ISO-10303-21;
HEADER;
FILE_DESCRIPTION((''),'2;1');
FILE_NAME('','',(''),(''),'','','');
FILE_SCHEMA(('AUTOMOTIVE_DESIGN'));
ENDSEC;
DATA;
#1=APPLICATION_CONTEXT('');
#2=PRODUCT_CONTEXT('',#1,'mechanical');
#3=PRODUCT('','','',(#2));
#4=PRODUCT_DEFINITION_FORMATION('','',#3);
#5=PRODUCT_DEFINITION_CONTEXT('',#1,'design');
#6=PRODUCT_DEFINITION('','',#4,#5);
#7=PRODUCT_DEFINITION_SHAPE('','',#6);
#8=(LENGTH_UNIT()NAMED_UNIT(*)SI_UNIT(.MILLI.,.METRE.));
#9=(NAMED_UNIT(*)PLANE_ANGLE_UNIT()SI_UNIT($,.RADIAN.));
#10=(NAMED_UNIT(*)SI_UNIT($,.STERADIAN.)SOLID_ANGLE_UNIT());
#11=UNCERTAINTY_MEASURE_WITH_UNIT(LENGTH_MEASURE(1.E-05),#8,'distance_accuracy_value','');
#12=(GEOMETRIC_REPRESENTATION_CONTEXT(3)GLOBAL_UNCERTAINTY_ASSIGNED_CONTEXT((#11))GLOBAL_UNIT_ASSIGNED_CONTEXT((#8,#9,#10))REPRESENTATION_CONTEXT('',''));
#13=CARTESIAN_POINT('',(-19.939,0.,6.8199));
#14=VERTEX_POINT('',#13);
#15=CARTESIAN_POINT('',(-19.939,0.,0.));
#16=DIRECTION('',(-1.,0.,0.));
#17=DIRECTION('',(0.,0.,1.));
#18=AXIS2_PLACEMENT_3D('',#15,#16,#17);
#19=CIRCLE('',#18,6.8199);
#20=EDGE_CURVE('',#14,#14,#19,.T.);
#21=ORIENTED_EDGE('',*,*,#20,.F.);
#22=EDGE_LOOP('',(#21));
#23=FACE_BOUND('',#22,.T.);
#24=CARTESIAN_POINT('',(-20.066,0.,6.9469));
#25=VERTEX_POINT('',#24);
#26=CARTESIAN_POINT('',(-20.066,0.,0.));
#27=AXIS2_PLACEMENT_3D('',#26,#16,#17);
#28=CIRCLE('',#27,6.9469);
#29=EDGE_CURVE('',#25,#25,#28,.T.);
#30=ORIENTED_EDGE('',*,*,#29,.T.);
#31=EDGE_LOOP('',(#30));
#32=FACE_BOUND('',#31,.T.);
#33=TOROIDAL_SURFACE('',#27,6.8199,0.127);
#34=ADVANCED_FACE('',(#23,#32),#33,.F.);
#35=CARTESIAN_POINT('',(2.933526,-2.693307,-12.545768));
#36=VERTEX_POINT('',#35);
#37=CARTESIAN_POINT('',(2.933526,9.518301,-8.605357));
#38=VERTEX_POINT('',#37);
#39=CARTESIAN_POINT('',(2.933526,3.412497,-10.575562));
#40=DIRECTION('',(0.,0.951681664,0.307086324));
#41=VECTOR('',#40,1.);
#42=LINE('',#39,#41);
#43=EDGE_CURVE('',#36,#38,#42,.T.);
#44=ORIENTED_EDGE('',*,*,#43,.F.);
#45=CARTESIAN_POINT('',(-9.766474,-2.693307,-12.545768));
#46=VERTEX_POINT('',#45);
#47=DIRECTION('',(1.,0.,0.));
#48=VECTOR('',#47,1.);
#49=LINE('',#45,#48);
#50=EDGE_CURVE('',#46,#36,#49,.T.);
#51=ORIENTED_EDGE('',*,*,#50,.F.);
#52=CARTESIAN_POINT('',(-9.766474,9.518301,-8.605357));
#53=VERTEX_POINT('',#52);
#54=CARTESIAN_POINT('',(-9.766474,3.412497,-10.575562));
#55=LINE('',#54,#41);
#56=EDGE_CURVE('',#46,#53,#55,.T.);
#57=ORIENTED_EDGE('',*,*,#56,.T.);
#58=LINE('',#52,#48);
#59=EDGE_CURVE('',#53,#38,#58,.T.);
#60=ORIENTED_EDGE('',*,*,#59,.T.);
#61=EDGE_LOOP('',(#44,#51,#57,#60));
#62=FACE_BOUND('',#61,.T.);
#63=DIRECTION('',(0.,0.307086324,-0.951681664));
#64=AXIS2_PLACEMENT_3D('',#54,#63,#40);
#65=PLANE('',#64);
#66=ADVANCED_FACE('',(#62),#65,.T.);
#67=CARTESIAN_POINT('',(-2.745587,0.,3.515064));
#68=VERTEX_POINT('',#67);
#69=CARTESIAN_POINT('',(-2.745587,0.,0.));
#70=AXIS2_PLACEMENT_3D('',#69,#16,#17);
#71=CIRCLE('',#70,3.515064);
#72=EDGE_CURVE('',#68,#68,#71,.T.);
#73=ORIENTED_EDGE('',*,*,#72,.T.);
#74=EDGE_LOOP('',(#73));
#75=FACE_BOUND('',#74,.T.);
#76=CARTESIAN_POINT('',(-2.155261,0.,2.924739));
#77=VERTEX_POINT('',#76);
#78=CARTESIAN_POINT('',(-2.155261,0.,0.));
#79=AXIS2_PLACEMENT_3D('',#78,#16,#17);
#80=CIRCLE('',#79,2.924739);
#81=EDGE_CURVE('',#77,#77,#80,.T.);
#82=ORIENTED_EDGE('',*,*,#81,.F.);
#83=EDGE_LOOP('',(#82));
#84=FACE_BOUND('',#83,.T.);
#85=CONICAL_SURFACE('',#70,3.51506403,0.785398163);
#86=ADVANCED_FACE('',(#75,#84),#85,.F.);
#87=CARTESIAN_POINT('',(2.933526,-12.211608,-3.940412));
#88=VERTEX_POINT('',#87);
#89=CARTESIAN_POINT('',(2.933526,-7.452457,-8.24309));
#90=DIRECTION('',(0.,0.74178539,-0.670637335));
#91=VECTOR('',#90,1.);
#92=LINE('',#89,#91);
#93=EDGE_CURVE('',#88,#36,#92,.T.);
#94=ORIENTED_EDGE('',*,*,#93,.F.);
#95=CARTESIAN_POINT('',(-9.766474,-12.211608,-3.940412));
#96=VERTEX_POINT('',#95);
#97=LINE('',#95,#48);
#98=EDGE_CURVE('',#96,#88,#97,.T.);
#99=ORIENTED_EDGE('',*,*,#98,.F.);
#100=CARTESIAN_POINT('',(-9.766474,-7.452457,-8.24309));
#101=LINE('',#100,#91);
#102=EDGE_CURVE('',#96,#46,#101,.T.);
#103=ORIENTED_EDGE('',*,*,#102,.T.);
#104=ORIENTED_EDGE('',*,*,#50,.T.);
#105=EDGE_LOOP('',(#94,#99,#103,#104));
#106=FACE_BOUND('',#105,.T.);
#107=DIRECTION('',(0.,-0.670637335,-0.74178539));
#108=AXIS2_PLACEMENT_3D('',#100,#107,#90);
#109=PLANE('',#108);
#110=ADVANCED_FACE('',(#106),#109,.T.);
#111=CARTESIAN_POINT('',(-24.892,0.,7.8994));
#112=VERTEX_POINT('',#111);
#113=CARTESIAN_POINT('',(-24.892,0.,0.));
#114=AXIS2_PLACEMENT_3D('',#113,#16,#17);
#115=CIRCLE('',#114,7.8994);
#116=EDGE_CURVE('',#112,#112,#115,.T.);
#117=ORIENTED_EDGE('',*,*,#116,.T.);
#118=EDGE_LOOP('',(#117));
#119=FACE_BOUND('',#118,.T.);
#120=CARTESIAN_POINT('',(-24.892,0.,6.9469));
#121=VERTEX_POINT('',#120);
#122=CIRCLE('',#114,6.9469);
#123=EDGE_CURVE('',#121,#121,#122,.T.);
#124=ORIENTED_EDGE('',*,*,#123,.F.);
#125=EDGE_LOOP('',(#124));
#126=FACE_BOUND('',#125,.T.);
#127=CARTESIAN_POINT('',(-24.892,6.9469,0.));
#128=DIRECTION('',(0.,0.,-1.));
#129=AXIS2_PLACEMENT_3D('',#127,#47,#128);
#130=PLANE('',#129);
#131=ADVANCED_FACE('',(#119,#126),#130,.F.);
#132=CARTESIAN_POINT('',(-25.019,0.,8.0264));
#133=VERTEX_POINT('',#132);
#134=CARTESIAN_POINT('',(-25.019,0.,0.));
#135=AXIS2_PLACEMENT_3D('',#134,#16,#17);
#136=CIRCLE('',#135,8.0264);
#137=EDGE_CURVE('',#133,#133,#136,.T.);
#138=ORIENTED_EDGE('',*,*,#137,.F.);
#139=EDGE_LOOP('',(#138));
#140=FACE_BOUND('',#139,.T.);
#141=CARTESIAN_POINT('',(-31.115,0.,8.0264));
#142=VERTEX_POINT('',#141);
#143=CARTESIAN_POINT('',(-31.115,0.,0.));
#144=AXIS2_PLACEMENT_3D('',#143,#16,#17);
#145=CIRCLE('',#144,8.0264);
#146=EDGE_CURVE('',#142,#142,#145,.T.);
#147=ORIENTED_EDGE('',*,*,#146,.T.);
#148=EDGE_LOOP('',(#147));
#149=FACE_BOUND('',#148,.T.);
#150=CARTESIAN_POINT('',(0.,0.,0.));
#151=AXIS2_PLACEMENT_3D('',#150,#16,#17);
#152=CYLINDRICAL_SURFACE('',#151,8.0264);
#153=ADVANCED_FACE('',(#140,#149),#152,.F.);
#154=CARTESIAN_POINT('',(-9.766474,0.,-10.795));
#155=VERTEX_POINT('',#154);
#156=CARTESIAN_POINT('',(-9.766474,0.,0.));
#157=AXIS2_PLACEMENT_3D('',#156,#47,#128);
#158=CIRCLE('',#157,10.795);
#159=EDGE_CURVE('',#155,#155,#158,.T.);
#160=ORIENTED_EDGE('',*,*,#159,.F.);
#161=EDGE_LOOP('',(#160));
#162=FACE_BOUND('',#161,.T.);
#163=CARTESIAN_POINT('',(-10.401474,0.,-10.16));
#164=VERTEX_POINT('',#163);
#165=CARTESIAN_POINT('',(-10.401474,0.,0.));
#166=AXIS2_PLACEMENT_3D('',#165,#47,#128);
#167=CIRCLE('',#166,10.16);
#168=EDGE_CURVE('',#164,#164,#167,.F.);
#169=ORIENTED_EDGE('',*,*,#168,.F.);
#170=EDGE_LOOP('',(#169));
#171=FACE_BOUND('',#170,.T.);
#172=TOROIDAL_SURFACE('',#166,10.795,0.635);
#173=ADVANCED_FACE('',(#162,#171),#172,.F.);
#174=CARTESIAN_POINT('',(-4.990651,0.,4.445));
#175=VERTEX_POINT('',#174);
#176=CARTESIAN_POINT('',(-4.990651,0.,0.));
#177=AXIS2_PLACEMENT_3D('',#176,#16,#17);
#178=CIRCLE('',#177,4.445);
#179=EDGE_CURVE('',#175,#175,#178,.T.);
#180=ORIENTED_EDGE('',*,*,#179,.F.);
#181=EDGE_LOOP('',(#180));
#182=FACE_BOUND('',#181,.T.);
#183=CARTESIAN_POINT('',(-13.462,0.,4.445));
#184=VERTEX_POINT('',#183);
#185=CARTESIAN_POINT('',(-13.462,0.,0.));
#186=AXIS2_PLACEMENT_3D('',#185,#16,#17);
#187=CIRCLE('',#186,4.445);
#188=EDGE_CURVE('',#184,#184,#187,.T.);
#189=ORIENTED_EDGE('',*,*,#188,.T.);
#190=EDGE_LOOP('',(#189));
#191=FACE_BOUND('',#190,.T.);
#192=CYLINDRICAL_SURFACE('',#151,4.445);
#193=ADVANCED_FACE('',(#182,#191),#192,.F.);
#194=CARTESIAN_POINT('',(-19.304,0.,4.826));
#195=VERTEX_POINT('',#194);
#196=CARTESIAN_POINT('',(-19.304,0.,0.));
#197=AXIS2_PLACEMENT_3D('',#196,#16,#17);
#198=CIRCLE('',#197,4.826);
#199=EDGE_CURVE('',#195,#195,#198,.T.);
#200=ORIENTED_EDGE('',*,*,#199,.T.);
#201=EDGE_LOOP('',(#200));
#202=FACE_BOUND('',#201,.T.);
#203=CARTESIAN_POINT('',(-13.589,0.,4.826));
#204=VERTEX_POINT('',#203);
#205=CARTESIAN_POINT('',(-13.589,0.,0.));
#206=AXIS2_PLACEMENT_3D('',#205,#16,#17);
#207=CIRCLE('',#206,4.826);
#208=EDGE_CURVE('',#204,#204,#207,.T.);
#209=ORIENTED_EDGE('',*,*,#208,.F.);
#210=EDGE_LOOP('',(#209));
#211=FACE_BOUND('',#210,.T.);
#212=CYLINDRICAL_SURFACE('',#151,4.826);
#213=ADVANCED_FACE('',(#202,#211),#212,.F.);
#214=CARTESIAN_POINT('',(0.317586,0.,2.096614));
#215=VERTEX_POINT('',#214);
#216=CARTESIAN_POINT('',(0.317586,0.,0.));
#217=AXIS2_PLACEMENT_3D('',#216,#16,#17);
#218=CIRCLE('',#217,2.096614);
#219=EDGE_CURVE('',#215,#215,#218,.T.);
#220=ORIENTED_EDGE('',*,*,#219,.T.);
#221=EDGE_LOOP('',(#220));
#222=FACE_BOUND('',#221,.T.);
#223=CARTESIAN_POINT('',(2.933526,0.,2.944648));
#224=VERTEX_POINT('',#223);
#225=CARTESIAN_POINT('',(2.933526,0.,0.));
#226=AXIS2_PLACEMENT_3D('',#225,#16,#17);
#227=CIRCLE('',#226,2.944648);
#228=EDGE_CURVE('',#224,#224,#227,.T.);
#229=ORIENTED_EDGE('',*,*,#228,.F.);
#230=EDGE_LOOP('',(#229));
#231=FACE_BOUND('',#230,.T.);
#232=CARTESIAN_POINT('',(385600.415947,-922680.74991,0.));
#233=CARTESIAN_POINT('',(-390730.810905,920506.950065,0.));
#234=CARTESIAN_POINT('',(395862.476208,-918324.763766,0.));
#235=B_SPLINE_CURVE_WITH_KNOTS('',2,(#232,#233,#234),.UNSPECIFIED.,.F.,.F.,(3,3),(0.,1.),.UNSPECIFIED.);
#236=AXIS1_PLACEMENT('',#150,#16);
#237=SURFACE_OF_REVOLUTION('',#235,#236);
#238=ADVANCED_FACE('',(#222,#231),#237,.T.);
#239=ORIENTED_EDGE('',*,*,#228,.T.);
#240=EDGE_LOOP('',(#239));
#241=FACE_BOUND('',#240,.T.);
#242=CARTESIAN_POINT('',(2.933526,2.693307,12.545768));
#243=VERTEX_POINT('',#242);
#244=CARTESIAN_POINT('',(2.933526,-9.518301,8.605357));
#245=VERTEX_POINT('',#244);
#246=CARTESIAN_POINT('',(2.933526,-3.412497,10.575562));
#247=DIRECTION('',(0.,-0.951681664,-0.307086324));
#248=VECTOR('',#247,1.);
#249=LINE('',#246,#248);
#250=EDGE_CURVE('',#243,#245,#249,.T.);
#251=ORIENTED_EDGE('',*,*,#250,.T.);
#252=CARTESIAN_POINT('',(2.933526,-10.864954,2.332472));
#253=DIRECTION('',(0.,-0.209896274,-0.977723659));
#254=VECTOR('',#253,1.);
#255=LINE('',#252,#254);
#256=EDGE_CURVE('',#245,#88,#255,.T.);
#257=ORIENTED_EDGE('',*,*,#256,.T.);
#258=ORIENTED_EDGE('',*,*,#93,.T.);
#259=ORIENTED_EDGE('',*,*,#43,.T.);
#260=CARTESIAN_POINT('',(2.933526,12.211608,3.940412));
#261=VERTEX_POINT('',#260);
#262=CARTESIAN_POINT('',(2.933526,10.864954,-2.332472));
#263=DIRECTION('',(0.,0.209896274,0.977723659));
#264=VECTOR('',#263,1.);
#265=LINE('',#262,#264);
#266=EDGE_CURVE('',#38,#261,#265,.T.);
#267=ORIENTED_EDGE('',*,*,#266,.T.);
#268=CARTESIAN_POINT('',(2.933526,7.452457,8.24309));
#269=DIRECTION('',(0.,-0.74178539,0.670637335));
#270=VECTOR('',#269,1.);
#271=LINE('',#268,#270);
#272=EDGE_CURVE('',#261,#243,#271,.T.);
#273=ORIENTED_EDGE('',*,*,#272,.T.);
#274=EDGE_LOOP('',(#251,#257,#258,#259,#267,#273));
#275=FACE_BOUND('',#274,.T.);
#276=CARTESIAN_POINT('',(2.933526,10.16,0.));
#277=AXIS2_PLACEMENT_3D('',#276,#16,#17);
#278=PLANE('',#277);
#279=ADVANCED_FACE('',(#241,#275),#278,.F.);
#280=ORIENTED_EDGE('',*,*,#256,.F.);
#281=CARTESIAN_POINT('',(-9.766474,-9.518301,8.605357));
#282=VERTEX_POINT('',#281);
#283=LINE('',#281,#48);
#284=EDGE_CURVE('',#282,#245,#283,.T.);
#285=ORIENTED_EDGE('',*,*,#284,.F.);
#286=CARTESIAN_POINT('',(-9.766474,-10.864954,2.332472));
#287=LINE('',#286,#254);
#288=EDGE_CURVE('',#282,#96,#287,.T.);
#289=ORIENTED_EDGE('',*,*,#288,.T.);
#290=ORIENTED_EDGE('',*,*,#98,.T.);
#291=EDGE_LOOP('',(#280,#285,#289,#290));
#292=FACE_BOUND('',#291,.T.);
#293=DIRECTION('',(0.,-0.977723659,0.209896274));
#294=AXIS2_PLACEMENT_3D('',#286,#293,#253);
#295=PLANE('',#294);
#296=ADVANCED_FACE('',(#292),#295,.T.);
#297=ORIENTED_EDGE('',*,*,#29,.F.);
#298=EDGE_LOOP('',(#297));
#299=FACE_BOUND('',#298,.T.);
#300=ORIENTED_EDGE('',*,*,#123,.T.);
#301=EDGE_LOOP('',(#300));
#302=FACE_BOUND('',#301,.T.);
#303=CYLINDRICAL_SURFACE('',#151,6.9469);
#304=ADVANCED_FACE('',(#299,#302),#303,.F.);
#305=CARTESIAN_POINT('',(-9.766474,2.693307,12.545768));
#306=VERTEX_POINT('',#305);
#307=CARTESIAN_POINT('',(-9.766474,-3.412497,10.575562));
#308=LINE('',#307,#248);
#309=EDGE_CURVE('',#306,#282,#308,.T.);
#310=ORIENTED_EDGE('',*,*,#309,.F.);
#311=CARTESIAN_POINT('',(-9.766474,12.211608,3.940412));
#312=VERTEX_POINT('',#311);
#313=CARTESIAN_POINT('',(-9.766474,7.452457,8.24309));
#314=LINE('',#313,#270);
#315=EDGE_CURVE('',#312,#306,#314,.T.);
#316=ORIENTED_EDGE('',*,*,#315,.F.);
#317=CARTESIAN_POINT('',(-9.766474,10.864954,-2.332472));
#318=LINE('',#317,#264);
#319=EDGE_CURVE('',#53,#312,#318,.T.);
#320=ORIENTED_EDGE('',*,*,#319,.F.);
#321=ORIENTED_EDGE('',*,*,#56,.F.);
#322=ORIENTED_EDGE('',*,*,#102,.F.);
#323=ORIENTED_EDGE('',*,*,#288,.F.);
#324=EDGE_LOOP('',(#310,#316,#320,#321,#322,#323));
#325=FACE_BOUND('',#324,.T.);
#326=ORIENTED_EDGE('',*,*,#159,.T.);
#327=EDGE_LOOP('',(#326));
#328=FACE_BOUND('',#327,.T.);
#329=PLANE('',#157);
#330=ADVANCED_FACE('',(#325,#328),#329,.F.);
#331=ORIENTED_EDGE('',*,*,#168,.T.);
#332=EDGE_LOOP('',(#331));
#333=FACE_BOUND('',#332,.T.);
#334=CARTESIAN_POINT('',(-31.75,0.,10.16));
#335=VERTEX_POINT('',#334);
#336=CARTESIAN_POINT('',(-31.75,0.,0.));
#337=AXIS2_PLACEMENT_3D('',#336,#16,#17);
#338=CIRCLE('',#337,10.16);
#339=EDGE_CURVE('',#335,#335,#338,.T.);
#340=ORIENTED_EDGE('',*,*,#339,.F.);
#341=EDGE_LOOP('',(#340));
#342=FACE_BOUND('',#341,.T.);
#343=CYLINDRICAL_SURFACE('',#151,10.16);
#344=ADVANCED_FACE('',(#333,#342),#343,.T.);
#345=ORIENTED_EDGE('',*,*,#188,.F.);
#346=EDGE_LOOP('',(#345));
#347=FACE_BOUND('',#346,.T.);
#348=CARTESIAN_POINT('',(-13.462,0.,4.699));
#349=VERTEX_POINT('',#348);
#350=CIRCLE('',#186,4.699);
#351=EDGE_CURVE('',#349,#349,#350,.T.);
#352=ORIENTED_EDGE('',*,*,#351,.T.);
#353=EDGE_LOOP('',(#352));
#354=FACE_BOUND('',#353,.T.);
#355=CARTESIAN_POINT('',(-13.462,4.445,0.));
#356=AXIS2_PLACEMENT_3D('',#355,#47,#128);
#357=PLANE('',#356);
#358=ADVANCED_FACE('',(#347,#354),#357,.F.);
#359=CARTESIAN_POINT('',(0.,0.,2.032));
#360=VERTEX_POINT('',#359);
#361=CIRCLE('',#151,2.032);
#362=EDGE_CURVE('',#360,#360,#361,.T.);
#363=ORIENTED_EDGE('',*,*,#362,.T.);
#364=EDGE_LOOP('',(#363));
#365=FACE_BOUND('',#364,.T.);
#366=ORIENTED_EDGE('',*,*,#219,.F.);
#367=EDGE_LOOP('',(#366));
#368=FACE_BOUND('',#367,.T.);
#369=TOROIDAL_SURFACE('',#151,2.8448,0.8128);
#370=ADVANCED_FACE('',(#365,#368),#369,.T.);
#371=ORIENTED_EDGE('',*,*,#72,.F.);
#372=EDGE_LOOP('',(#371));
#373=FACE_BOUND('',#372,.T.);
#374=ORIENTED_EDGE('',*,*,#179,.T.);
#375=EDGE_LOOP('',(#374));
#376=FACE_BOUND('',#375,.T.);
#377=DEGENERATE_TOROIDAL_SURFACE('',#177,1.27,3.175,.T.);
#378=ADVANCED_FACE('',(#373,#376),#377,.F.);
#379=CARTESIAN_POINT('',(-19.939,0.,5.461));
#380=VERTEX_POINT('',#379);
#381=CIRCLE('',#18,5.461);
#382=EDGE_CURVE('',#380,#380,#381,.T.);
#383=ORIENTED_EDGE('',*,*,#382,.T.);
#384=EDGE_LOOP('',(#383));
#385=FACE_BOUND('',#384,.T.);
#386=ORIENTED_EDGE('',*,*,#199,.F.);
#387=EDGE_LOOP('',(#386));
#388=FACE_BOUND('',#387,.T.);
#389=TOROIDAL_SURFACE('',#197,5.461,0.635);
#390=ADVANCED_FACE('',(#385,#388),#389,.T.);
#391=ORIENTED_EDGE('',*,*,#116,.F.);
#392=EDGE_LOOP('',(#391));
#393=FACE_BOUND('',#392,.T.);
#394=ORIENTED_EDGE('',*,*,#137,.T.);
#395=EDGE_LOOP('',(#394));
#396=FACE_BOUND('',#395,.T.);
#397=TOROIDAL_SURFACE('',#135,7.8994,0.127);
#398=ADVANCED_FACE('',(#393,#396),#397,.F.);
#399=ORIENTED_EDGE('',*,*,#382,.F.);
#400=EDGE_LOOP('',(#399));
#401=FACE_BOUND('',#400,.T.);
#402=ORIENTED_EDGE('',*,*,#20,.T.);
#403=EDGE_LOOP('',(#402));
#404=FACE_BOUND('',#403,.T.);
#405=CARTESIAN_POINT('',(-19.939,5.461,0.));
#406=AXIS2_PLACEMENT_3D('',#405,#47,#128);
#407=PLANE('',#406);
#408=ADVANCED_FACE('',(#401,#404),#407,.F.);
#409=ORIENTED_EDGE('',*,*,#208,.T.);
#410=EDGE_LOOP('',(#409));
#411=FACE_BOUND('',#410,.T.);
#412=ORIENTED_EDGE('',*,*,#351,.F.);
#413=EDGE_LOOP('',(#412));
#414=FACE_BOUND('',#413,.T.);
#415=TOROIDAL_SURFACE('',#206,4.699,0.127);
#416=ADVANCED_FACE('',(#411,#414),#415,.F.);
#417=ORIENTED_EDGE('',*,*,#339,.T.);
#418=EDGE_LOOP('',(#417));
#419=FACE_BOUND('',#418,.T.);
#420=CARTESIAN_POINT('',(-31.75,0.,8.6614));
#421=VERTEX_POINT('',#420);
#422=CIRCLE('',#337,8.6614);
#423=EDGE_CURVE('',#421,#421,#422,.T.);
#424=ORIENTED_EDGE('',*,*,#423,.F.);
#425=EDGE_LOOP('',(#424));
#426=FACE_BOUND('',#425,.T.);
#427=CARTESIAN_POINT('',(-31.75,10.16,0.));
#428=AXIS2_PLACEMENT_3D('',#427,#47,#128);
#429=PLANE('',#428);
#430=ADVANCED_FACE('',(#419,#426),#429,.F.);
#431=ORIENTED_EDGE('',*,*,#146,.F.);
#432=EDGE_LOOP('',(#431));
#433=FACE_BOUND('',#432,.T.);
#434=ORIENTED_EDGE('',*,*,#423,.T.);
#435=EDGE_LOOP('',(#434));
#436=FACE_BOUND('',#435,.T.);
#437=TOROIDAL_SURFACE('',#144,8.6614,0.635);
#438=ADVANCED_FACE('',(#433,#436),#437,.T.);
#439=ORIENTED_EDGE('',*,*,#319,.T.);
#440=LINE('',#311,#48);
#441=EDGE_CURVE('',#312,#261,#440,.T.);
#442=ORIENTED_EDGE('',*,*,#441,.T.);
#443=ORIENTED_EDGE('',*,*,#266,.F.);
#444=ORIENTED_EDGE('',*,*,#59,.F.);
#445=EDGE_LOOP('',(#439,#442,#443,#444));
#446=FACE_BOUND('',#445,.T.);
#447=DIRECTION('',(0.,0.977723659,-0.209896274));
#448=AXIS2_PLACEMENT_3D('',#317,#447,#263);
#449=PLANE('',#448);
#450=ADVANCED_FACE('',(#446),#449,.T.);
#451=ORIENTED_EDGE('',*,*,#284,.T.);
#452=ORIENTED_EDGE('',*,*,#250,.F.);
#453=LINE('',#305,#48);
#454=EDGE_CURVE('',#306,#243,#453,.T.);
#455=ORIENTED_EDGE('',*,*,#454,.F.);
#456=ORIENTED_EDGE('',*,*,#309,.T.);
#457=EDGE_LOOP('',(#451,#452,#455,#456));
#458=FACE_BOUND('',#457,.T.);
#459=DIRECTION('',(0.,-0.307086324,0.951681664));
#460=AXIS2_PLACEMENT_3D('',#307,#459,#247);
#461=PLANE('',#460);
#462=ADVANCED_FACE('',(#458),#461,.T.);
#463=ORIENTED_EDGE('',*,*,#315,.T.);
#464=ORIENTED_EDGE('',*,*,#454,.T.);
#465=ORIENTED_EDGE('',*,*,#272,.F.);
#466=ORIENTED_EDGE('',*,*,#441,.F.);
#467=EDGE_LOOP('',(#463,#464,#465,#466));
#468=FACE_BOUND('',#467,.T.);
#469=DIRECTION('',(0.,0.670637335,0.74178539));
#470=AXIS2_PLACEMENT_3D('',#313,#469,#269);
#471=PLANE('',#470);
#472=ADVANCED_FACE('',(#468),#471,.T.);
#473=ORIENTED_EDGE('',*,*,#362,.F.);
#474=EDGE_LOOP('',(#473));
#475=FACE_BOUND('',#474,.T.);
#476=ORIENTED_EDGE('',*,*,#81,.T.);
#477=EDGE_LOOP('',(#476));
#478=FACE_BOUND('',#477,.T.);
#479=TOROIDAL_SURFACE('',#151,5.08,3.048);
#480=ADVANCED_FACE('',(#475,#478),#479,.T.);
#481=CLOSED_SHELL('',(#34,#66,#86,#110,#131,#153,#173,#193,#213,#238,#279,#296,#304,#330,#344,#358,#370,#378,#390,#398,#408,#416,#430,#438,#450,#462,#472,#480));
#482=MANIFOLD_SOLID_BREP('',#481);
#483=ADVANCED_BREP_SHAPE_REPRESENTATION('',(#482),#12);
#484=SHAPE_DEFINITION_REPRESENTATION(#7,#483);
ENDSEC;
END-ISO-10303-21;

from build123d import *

# Parameters (mm, degrees)
SKETCH4_R           = 10.16
BOSS_EXTRUDE1_DEPTH = 12.7
FILLET1_R           = 0.635


with BuildPart() as part:
    # Sketch1 → Revolve1 (revolve)
    with BuildSketch(Plane.XY, mode=Mode.PRIVATE) as revolve1_sk:
        with BuildLine():
            Line((-2.155261469, 2.924738531), (-2.745586968, 3.51506403))
            ThreePointArc((-2.745586968, 3.51506403), (-3.775631101, 4.203317516), (-4.990650999, 4.445))
            Line((-4.990650999, 4.445), (-13.462, 4.445))
            Line((-13.462, 4.445), (-13.462, 4.699))
            ThreePointArc((-13.462, 4.699), (-13.499197439, 4.788802561), (-13.589, 4.826))
            Line((-13.589, 4.826), (-19.304, 4.826))
            ThreePointArc((-19.304, 4.826), (-19.753012806, 5.011987194), (-19.939, 5.461))
            Line((-19.939, 5.461), (-19.939, 6.8199))
            ThreePointArc((-19.939, 6.8199), (-19.976197439, 6.909702561), (-20.066, 6.9469))
            Line((-20.066, 6.9469), (-24.892, 6.9469))
            Line((-24.892, 6.9469), (-24.892, 7.8994))
            ThreePointArc((-24.892, 7.8994), (-24.929197439, 7.989202561), (-25.019, 8.0264))
            Line((-25.019, 8.0264), (-31.115, 8.0264))
            ThreePointArc((-31.115, 8.0264), (-31.564012806, 8.212387194), (-31.75, 8.6614))
            Line((-31.75, 8.6614), (-31.75, 10.16))
            Line((-31.75, 10.16), (-9.766473787, 10.16))
            Line((-9.766473787, 10.16), (2.933526213, 10.16))
            Line((2.933526213, 10.16), (2.933526213, 2.944647755))
            add(Edge.make_bspline(
                [(2.933526213, 2.944647755), (1.578373565, 2.631786114), (0.317586261, 2.096613655)],
                knots=[0, 0, 0, 1, 1, 1], degree=2))
            ThreePointArc((0.317586261, 2.096613655), (0.162046257, 2.0483172), (0, 2.032))
            ThreePointArc((0, 2.032), (-1.166419102, 2.264015185), (-2.155261469, 2.924738531))
        make_face()
    revolve(revolve1_sk.sketch.rotate(Axis((0, 0, 0), (1, 0, 0)), 90), axis=Axis((0, 0, 0), (1, 0, 0)))

    # Sketch4 → Boss-Extrude1 (add)
    with BuildSketch(Plane(origin=(2.933526213, 0, 0), x_dir=(0, 0, -1), z_dir=(1, 0, 0))):
        Polygon((3.940411868, -12.211607701), (12.545768424, -2.693307071), (8.605356556, 9.51830063), (-3.940411868, 12.211607701), (-12.545768424, 2.693307071), (-8.605356556, -9.51830063), align=None)
        with Locations(Location((0, 0, 0), (0, 0, 180))):
            Circle(SKETCH4_R, mode=Mode.SUBTRACT)
    extrude(amount=-BOSS_EXTRUDE1_DEPTH)

    # Fillet1
    fillet1_edges = [part.edges().sort_by_distance(p)[0] for p in [
        (-9.766473787, 0, -10.16),
    ]]
    fillet(fillet1_edges, radius=FILLET1_R)


solid = part.part
